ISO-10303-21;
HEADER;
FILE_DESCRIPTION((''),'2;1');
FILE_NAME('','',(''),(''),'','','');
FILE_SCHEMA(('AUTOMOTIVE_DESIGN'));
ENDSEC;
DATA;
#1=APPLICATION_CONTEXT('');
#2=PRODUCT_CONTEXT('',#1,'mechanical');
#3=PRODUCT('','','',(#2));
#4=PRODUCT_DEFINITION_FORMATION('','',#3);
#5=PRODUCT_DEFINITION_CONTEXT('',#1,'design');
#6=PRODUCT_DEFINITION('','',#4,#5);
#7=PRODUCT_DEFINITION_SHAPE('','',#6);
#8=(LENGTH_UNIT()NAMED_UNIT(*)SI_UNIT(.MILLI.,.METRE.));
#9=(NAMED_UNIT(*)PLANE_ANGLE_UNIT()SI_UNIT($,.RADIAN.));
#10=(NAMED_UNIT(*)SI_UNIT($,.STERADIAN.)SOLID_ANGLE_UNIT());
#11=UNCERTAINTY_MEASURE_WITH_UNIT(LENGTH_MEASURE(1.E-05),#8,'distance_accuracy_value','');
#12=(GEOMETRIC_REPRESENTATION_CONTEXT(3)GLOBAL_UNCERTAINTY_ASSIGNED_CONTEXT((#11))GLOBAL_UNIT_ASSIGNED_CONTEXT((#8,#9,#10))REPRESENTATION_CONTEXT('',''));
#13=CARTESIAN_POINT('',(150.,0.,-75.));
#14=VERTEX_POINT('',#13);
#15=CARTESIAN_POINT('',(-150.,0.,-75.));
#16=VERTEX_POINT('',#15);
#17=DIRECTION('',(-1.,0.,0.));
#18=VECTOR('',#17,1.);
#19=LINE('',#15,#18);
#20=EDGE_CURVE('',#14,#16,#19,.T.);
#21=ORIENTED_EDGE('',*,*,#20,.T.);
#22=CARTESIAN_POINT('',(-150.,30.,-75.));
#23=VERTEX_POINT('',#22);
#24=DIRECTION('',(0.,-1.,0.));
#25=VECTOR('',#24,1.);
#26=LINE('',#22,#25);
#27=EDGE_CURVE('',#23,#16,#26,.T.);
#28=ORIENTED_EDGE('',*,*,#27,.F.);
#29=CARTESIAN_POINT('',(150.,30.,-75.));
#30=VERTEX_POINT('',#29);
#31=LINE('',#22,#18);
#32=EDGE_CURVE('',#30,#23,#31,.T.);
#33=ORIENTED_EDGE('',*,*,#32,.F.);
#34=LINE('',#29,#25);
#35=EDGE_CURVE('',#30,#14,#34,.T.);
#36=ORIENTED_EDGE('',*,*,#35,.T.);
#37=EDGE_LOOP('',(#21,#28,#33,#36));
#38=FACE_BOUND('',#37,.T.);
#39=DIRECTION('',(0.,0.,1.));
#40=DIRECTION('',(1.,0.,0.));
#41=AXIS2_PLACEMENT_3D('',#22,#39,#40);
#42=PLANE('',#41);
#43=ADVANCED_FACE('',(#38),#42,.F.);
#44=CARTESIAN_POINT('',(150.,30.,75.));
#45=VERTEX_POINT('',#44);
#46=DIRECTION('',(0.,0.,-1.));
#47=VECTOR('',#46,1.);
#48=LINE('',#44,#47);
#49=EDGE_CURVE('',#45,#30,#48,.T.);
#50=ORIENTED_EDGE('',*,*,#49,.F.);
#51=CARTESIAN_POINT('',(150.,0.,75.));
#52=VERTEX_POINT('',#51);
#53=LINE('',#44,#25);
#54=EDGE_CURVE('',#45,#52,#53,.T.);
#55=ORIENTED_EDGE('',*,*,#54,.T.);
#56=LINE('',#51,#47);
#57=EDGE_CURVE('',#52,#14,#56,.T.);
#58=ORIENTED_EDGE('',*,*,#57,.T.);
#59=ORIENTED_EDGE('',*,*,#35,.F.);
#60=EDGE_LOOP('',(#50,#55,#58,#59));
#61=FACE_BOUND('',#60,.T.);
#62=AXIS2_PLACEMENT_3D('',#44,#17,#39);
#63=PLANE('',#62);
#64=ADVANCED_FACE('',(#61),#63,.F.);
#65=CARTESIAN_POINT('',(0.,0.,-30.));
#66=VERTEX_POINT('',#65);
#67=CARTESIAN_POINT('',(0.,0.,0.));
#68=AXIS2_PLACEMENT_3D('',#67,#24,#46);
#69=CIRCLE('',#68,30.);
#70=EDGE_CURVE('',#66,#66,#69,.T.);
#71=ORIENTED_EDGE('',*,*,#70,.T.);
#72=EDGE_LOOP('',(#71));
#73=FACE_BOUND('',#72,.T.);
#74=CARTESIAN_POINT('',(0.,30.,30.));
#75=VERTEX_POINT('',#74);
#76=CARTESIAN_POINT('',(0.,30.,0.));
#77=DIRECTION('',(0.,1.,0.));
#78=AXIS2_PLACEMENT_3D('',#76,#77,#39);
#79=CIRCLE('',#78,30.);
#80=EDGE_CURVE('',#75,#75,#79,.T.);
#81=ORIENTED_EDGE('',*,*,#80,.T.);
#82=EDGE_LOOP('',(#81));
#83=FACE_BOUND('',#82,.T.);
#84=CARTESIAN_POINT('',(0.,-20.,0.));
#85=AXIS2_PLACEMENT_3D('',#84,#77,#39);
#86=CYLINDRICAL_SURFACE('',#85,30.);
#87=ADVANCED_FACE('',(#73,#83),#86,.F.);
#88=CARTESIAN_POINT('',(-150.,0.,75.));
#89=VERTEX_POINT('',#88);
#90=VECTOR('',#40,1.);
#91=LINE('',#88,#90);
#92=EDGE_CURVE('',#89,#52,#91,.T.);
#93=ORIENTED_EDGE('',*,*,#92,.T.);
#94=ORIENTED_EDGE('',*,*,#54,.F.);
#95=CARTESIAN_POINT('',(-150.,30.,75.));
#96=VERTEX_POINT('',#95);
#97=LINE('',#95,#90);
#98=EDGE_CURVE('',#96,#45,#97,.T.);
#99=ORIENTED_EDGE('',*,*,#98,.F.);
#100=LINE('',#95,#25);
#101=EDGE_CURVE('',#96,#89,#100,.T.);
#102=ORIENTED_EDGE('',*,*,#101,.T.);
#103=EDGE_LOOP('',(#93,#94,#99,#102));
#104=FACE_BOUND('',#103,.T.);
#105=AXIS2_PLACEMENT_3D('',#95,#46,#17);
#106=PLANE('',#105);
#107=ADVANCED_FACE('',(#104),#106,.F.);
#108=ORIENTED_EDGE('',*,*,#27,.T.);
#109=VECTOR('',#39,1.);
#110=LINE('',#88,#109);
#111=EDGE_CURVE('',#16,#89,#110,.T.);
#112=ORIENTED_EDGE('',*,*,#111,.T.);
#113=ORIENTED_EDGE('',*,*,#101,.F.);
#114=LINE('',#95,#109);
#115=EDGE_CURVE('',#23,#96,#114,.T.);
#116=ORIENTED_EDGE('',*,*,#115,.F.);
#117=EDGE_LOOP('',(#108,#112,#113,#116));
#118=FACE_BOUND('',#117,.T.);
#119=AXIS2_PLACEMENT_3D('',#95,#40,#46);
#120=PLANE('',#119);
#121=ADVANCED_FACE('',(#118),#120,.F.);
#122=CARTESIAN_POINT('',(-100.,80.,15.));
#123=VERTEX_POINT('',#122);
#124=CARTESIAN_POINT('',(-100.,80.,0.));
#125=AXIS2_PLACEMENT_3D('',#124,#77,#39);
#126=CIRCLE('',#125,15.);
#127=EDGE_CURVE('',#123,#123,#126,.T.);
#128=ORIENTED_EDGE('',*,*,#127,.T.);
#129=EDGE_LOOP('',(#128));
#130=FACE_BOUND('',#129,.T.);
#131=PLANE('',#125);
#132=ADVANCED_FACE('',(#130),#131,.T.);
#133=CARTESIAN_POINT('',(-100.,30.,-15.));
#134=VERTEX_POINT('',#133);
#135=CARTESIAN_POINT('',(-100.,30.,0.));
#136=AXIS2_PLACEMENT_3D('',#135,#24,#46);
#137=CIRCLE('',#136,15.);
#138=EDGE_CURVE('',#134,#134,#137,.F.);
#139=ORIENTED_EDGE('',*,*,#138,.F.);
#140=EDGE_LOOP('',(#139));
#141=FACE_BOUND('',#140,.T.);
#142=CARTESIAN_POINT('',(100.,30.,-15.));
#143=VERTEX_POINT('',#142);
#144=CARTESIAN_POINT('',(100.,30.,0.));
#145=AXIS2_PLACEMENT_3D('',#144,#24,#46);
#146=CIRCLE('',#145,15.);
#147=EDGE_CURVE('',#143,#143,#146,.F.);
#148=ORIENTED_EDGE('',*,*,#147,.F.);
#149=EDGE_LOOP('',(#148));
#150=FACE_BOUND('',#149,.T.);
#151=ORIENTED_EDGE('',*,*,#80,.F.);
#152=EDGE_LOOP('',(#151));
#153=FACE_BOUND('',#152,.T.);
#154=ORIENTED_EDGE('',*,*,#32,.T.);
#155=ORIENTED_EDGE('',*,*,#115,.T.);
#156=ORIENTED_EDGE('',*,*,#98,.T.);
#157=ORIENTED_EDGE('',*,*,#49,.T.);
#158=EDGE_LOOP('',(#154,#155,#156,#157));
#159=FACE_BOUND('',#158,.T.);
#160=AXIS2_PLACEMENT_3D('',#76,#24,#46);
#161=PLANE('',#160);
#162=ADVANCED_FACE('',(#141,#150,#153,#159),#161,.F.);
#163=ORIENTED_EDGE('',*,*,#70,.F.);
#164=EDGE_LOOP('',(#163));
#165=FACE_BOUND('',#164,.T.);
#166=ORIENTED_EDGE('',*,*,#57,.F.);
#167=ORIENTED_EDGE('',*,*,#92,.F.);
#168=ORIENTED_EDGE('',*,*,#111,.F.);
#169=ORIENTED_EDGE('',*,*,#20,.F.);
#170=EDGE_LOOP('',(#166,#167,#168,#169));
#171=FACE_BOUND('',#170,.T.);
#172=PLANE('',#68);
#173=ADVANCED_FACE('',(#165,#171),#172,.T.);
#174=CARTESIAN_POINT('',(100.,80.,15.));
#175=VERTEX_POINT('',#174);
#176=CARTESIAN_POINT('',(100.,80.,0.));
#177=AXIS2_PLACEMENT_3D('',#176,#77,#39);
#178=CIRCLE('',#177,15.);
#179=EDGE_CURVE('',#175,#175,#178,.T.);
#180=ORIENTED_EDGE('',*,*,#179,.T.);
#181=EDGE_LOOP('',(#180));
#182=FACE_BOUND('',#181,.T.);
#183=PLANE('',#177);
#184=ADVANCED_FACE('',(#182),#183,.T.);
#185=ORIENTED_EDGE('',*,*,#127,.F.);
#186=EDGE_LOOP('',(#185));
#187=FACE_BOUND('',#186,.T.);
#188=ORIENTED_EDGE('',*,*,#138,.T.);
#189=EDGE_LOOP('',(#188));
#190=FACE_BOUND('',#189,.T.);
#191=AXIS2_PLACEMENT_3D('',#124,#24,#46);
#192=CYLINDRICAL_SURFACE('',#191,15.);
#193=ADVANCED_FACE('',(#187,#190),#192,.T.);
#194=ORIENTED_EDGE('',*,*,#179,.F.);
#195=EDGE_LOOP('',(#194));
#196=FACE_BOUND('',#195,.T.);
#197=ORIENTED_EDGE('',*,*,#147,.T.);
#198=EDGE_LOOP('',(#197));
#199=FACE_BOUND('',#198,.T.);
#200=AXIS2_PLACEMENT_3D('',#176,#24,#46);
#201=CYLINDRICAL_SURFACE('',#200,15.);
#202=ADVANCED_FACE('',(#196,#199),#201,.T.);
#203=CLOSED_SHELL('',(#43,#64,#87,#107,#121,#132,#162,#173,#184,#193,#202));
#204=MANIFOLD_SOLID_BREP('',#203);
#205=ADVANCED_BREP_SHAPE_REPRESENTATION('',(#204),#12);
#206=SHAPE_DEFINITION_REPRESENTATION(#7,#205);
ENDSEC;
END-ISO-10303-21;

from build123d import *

# Parameters (mm, degrees)
SKETCH_1_W          = 300
SKETCH_1_H          = 150
EXTRUDE_1_DEPTH     = 30
SKETCH_2_R          = 15
EXTRUDE_2_DEPTH     = 50
SKETCH_3_R          = 30
CUT_EXTRUDE_1_DEPTH = 50


with BuildPart() as part:
    # 草图1 → 凸台-拉伸1 (new body)
    with BuildSketch(Plane(origin=(0, 0, 0), x_dir=(1, 0, 0), z_dir=(0, 1, 0))):
        Rectangle(SKETCH_1_W, SKETCH_1_H)
    extrude(amount=EXTRUDE_1_DEPTH)

    # 草图2 → 凸台-拉伸2 (add)
    with BuildSketch(Plane(origin=(0, 30, 0), x_dir=(1, 0, 0), z_dir=(0, 1, 0))):
        with Locations((-100, 0)):
            Circle(SKETCH_2_R)
        with Locations((100, 0)):
            Circle(SKETCH_2_R)
    extrude(amount=EXTRUDE_2_DEPTH)

    # 草图3 → 切除-拉伸1 (cut)
    with BuildSketch(Plane(origin=(0, 30, 0), x_dir=(1, 0, 0), z_dir=(0, 1, 0))):
        Circle(SKETCH_3_R)
    extrude(amount=-CUT_EXTRUDE_1_DEPTH, mode=Mode.SUBTRACT)


solid = part.part
